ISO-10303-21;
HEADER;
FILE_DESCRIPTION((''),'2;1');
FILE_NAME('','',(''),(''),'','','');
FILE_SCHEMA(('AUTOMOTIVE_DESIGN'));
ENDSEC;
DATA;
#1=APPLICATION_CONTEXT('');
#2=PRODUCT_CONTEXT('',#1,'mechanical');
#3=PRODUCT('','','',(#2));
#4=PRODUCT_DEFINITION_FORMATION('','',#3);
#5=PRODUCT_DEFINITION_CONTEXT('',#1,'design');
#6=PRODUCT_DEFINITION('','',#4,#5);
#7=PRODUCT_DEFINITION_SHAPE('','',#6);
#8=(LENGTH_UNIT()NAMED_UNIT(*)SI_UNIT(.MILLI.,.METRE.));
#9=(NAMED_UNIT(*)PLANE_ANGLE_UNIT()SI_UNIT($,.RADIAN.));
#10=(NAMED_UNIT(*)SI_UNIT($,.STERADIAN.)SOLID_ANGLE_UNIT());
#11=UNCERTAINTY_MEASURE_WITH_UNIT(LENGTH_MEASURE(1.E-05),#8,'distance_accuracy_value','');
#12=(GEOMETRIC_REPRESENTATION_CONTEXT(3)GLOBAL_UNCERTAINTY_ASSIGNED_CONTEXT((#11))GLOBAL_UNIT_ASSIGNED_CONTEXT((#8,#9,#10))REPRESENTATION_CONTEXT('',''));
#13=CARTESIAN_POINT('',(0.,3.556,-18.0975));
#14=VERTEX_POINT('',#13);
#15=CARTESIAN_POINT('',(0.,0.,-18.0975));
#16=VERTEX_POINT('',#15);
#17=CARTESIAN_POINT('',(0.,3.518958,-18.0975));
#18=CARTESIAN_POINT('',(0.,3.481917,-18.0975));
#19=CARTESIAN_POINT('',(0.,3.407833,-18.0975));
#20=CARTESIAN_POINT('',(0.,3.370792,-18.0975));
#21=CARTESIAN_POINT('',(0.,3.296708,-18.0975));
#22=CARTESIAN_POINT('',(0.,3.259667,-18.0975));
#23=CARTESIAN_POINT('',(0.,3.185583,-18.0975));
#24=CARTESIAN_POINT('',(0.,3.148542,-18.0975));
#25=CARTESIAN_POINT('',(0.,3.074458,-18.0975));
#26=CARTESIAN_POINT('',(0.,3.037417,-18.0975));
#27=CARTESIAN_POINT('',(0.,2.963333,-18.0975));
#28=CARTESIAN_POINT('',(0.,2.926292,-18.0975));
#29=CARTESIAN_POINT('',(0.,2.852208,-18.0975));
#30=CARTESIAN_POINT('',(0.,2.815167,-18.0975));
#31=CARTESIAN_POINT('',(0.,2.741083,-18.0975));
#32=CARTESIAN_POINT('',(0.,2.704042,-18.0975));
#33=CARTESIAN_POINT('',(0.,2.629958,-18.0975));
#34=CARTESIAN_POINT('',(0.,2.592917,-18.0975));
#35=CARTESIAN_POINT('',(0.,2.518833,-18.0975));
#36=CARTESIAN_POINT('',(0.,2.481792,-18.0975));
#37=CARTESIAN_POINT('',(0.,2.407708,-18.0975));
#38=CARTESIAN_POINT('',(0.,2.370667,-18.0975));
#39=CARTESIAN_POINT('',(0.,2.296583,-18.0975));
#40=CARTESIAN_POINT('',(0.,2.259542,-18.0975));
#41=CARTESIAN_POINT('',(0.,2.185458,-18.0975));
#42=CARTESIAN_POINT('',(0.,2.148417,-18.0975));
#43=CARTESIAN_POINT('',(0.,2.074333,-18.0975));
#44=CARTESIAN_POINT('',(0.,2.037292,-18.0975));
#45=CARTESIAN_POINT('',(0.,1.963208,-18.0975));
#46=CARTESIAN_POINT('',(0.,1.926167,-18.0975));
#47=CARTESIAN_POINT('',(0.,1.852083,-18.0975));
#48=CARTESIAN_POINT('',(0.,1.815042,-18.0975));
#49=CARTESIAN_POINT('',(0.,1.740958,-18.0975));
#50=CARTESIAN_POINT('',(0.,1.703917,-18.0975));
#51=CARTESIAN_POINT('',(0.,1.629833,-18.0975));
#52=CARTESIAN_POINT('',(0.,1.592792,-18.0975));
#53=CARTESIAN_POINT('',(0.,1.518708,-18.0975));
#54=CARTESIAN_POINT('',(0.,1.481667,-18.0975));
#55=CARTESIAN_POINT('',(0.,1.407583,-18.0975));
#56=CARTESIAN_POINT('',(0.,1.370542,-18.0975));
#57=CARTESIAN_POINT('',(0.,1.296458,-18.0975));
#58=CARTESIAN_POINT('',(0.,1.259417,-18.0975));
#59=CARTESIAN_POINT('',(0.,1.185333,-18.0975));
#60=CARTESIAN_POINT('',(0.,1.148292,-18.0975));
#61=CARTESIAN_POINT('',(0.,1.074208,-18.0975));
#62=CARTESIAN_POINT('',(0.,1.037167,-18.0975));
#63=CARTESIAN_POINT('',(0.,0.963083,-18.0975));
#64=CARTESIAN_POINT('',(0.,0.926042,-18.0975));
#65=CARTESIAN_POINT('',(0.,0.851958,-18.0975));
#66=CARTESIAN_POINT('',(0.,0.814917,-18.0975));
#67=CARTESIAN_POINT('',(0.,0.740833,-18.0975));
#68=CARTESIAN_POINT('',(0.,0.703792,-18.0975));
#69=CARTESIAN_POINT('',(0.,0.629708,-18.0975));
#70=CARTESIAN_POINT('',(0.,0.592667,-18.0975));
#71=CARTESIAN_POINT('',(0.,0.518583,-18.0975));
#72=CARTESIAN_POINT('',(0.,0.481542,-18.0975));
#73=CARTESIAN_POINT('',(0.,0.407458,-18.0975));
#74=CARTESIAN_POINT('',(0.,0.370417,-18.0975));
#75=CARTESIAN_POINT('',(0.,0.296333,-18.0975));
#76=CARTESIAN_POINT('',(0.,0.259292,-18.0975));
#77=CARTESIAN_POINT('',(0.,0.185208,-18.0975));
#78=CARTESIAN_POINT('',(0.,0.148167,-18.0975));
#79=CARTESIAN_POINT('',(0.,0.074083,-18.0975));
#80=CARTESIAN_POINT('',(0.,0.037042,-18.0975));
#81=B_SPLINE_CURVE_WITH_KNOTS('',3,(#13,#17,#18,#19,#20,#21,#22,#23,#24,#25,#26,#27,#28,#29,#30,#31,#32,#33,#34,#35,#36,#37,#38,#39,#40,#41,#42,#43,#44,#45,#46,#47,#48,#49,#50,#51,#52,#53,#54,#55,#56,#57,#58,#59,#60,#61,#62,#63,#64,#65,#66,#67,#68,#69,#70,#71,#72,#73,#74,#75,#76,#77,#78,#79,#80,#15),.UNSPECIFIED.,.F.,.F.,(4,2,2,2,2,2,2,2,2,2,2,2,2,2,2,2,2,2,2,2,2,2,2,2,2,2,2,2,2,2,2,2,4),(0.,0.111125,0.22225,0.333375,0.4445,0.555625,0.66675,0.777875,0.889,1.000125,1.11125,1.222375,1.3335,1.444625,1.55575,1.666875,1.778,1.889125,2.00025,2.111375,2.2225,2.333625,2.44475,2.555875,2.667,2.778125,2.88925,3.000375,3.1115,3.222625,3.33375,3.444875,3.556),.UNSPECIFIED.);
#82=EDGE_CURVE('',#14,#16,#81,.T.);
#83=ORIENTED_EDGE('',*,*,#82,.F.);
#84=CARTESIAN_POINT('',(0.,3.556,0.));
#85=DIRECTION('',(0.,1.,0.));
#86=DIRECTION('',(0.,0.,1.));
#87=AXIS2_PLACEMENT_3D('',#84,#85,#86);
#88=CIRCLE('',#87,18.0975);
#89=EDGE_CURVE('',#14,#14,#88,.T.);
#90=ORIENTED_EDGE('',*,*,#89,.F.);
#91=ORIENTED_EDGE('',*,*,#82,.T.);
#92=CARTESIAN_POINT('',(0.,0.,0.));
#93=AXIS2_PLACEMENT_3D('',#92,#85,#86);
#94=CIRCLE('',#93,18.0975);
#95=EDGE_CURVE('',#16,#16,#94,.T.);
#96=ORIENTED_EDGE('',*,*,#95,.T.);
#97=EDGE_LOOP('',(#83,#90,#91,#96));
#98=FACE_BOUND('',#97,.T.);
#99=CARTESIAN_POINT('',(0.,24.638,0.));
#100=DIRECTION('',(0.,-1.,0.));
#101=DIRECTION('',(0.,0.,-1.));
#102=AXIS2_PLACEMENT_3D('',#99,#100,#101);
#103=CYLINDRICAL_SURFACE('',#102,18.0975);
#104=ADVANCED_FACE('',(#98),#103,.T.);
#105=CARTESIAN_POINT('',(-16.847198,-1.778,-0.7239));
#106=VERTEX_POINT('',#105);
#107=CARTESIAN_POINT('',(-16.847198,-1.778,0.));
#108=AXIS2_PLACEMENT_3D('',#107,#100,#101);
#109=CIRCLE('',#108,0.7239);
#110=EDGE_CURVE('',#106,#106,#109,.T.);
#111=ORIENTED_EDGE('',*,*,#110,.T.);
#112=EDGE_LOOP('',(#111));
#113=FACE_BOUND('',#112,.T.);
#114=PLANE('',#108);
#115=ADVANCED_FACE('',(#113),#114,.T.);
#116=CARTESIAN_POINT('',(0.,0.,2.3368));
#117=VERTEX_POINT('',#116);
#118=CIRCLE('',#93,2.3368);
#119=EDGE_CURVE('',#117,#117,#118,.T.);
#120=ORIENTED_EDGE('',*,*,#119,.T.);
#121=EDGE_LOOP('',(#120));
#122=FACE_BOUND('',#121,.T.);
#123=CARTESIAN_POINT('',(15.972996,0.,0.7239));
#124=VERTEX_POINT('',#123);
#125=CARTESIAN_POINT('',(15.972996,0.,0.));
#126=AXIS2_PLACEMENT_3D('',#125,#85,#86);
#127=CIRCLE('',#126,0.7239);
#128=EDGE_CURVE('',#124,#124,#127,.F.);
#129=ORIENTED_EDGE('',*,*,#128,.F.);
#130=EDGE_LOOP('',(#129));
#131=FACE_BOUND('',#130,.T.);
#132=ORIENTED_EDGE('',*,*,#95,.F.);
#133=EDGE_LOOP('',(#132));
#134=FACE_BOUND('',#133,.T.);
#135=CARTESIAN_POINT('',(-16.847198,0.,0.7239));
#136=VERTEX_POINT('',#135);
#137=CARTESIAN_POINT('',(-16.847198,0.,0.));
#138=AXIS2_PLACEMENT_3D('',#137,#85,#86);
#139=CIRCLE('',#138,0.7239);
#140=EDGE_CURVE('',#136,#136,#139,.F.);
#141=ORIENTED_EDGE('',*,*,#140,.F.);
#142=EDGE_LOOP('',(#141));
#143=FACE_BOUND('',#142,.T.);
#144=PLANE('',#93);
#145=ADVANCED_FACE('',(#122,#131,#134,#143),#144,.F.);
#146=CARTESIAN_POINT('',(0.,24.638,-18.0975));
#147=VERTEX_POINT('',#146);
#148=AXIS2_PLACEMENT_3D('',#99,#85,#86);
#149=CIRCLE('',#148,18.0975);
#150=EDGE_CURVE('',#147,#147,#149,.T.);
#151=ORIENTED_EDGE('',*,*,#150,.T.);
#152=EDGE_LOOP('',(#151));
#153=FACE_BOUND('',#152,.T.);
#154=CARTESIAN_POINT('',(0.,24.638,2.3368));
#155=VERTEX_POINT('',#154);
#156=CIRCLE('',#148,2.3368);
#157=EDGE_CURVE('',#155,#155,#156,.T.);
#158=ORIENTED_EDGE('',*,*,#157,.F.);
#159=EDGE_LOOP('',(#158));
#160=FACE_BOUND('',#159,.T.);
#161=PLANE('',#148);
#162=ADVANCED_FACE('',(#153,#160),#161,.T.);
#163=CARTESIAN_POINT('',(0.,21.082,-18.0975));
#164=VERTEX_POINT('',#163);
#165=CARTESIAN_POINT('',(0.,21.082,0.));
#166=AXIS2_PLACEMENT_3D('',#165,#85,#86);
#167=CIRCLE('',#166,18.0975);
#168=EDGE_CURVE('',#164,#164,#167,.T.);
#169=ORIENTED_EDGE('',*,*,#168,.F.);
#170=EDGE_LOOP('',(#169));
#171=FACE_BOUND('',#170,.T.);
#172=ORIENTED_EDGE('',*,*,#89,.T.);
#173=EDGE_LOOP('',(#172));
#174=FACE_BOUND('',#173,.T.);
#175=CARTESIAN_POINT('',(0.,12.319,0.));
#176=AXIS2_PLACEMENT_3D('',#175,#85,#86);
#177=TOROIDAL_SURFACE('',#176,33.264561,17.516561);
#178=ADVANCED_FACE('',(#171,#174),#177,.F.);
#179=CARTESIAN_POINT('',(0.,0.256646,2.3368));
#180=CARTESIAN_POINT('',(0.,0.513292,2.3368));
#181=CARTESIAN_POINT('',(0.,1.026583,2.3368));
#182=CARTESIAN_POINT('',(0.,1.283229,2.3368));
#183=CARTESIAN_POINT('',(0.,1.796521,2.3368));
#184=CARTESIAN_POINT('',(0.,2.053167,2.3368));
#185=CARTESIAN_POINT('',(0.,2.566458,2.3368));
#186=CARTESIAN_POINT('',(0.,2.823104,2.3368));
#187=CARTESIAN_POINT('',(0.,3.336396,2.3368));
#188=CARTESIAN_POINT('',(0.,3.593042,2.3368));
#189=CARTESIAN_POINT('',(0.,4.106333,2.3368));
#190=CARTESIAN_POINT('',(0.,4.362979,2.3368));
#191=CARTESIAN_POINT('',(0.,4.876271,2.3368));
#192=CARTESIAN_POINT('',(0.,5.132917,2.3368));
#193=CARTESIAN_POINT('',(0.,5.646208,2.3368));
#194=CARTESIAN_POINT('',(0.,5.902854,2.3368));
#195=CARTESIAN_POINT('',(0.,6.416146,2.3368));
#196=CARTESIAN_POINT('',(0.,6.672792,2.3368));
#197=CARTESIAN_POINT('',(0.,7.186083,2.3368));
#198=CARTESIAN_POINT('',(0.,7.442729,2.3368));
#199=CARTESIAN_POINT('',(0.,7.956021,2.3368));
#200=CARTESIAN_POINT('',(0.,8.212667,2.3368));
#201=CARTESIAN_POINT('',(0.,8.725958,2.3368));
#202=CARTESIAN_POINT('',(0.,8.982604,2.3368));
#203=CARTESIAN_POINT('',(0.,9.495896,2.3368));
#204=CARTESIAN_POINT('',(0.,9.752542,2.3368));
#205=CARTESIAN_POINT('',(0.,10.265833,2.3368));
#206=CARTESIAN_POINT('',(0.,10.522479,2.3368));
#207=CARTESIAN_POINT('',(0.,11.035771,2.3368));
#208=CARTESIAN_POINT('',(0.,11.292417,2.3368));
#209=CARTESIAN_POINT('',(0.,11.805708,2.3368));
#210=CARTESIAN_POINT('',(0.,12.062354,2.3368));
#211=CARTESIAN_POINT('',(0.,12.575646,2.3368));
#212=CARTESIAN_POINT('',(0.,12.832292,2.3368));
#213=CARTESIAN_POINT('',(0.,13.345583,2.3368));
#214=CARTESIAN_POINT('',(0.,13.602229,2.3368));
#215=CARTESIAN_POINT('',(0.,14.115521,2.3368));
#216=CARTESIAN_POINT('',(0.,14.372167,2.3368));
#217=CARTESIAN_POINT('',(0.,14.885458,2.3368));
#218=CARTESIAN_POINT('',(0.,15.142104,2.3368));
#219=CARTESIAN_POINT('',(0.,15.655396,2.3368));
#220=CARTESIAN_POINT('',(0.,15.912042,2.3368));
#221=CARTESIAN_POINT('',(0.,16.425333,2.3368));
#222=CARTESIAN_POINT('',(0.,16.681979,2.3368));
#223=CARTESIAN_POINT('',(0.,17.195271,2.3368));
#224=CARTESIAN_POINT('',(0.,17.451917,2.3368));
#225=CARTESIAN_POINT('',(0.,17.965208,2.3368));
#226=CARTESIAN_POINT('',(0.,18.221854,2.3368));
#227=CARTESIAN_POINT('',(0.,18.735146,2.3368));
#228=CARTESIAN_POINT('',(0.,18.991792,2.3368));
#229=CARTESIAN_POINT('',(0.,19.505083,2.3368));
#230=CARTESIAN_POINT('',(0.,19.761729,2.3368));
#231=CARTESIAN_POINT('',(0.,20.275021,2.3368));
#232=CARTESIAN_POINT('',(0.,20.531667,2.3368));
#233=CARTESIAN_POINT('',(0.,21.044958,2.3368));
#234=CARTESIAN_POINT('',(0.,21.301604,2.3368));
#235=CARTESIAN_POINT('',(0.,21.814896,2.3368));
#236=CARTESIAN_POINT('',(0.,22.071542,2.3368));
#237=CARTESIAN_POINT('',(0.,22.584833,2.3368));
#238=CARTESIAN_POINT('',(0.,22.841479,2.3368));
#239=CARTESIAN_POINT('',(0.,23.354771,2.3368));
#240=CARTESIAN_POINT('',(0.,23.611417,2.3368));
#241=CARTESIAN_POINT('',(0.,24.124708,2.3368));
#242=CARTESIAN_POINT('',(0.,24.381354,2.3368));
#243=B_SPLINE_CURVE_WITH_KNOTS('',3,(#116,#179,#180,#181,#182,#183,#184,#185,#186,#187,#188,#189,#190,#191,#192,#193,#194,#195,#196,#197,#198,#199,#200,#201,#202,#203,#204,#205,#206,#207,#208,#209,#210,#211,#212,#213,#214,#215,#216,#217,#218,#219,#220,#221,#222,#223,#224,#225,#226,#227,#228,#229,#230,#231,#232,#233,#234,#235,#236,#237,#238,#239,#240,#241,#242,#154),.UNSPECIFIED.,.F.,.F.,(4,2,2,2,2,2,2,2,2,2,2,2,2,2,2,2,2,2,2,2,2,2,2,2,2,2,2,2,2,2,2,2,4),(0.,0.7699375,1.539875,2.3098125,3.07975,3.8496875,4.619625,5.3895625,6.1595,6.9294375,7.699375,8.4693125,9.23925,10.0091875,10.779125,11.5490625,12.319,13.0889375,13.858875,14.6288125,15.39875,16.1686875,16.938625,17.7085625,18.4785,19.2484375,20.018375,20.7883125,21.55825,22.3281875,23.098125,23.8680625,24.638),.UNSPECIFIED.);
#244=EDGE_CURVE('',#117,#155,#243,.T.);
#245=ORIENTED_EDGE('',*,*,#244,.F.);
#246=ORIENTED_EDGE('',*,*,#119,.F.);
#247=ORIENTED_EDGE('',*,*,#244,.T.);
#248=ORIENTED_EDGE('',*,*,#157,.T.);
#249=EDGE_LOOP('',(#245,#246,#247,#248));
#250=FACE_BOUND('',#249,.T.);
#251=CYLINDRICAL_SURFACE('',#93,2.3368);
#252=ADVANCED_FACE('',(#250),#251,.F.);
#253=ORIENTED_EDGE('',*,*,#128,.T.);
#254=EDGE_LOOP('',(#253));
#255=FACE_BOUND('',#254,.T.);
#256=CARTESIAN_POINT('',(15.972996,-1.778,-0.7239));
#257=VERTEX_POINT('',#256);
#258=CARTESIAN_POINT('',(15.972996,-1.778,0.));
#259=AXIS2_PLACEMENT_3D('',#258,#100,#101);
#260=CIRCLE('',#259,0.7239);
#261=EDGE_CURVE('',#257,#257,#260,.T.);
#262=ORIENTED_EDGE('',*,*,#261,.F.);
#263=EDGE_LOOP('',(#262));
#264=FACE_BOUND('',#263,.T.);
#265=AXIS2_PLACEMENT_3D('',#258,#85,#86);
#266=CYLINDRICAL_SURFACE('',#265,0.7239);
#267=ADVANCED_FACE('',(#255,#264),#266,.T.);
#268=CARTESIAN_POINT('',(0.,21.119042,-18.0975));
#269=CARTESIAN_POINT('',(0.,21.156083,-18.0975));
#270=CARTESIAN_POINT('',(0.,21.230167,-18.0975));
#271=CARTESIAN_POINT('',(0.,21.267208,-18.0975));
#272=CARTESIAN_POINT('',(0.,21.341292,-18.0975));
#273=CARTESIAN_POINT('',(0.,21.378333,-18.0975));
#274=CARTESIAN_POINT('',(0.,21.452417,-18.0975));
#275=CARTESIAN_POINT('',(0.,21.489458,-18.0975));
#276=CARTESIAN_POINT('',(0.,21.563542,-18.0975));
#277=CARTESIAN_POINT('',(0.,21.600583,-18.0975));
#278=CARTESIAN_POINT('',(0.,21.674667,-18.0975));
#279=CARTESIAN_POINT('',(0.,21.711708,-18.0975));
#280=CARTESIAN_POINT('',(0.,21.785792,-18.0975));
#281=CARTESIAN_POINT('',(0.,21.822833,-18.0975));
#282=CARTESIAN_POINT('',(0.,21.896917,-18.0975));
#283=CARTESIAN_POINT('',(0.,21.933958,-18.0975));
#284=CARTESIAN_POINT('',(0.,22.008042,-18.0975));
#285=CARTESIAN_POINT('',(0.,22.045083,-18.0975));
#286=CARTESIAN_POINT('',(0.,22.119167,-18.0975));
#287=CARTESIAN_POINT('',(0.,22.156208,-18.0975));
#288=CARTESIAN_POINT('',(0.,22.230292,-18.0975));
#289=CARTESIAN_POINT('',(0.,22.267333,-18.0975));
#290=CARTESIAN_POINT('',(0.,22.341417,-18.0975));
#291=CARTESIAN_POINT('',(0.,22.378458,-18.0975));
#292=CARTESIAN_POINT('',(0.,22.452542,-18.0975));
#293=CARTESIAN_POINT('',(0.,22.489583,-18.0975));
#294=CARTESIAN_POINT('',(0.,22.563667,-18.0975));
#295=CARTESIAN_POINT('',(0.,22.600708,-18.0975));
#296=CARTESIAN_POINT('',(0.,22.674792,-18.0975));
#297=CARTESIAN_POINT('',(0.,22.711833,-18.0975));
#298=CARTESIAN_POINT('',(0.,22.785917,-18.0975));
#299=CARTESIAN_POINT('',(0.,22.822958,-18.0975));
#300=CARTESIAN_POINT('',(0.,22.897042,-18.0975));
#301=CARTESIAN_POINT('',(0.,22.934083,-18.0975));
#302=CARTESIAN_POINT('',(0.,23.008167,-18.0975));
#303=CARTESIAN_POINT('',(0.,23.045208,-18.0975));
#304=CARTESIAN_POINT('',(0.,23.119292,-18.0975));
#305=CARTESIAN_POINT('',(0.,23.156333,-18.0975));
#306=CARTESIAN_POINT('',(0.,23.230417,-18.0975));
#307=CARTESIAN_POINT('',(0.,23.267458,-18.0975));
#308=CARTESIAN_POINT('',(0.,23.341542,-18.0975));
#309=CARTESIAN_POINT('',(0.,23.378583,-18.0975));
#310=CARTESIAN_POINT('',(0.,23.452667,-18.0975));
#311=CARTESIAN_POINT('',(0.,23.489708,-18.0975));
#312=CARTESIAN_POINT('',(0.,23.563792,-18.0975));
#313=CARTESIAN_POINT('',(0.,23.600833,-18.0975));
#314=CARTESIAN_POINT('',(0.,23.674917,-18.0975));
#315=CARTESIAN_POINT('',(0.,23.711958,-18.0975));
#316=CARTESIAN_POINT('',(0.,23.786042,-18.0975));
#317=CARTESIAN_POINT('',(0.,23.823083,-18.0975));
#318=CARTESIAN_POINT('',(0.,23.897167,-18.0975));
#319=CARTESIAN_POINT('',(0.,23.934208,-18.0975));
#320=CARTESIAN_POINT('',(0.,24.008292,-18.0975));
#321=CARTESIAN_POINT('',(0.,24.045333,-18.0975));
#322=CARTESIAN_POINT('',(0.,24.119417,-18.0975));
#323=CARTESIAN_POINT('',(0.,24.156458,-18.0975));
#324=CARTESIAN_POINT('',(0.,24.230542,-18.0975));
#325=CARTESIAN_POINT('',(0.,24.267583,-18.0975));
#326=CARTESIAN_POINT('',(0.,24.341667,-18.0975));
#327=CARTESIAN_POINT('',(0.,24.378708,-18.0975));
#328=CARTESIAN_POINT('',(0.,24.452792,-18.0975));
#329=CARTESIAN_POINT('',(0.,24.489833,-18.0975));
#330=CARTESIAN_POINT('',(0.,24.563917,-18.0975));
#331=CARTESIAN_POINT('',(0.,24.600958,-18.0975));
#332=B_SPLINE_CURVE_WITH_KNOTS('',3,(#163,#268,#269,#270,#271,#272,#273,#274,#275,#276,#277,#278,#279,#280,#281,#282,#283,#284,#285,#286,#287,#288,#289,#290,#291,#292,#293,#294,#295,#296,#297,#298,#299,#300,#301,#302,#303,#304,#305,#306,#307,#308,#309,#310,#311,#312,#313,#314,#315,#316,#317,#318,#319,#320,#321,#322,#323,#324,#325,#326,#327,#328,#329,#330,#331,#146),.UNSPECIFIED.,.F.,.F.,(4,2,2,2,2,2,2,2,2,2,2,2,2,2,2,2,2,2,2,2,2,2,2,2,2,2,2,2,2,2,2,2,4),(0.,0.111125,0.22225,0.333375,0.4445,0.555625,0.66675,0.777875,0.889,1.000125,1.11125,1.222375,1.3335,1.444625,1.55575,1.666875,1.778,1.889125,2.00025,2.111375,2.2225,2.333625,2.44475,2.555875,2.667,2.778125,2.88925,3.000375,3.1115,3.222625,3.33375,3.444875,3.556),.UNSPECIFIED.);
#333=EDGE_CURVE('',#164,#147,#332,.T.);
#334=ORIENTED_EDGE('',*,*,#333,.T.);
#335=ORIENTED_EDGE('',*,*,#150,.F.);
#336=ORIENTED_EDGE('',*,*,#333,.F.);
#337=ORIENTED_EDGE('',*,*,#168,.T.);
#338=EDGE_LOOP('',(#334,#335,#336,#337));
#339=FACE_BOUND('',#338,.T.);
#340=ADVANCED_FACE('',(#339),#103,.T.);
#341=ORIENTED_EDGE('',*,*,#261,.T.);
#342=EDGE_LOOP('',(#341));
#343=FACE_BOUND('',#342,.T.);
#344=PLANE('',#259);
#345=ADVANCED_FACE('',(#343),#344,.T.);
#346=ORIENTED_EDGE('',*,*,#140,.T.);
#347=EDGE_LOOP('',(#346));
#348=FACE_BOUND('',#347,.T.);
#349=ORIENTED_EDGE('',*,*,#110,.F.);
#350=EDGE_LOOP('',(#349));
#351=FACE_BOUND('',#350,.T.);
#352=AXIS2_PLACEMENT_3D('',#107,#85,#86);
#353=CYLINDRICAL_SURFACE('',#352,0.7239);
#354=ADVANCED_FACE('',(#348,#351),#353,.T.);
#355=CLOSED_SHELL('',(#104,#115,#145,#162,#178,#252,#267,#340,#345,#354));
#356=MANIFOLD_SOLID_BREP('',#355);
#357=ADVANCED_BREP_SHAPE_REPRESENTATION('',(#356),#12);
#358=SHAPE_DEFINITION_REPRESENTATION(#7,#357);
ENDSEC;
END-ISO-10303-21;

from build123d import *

# Parameters (mm, degrees)
SKETCH2_R           = 18.0975
BOSS_EXTRUDE1_DEPTH = 24.638
SKETCH3_R           = 2.3368
CUT_EXTRUDE1_DEPTH  = 36.52562535
SKETCH4_R           = 0.7239
BOSS_EXTRUDE2_DEPTH = 1.778


with BuildPart() as part:
    # Sketch2 → Boss-Extrude1 (new body)
    with BuildSketch(Plane(origin=(0, 0, 0), x_dir=(1, 0, 0), z_dir=(0, 1, 0))):
        with Locations(Location((0, 0, 0), (0, 0, 90))):
            Circle(SKETCH2_R)
    extrude(amount=BOSS_EXTRUDE1_DEPTH)

    # Sketch3 → Cut-Extrude1 (cut, through all)
    with BuildSketch(Plane(origin=(0, 24.638, 0), x_dir=(1, 0, 0), z_dir=(0, 1, 0))):
        with Locations(Location((0, 0, 0), (0, 0, 270))):
            Circle(SKETCH3_R)
    extrude(amount=-CUT_EXTRUDE1_DEPTH, mode=Mode.SUBTRACT)

    # Sketch4 → Boss-Extrude2 (add)
    with BuildSketch(Plane.XZ):
        with Locations(Location((15.972995617, 0, 0), (0, 0, 90))):
            Circle(SKETCH4_R)
        with Locations(Location((-16.847197726, 0, 0), (0, 0, 90))):
            Circle(SKETCH4_R)
    extrude(amount=BOSS_EXTRUDE2_DEPTH)

    # Sketch7 → Cut-Revolve1 (revolve, cut)
    with BuildSketch(Plane.XY, mode=Mode.PRIVATE) as cut_revolve1_sk:
        with BuildLine():
            Line((-18.0975, 21.082), (-18.0975, 3.556))
            ThreePointArc((-18.0975, 3.556), (-15.748, 12.319), (-18.0975, 21.082))
        make_face()
    revolve(cut_revolve1_sk.sketch.rotate(Axis((0, 24.735696044, 0), (0, -1, 0)), 90), axis=Axis((0, 24.735696044, 0), (0, -1, 0)), mode=Mode.SUBTRACT)


solid = part.part
